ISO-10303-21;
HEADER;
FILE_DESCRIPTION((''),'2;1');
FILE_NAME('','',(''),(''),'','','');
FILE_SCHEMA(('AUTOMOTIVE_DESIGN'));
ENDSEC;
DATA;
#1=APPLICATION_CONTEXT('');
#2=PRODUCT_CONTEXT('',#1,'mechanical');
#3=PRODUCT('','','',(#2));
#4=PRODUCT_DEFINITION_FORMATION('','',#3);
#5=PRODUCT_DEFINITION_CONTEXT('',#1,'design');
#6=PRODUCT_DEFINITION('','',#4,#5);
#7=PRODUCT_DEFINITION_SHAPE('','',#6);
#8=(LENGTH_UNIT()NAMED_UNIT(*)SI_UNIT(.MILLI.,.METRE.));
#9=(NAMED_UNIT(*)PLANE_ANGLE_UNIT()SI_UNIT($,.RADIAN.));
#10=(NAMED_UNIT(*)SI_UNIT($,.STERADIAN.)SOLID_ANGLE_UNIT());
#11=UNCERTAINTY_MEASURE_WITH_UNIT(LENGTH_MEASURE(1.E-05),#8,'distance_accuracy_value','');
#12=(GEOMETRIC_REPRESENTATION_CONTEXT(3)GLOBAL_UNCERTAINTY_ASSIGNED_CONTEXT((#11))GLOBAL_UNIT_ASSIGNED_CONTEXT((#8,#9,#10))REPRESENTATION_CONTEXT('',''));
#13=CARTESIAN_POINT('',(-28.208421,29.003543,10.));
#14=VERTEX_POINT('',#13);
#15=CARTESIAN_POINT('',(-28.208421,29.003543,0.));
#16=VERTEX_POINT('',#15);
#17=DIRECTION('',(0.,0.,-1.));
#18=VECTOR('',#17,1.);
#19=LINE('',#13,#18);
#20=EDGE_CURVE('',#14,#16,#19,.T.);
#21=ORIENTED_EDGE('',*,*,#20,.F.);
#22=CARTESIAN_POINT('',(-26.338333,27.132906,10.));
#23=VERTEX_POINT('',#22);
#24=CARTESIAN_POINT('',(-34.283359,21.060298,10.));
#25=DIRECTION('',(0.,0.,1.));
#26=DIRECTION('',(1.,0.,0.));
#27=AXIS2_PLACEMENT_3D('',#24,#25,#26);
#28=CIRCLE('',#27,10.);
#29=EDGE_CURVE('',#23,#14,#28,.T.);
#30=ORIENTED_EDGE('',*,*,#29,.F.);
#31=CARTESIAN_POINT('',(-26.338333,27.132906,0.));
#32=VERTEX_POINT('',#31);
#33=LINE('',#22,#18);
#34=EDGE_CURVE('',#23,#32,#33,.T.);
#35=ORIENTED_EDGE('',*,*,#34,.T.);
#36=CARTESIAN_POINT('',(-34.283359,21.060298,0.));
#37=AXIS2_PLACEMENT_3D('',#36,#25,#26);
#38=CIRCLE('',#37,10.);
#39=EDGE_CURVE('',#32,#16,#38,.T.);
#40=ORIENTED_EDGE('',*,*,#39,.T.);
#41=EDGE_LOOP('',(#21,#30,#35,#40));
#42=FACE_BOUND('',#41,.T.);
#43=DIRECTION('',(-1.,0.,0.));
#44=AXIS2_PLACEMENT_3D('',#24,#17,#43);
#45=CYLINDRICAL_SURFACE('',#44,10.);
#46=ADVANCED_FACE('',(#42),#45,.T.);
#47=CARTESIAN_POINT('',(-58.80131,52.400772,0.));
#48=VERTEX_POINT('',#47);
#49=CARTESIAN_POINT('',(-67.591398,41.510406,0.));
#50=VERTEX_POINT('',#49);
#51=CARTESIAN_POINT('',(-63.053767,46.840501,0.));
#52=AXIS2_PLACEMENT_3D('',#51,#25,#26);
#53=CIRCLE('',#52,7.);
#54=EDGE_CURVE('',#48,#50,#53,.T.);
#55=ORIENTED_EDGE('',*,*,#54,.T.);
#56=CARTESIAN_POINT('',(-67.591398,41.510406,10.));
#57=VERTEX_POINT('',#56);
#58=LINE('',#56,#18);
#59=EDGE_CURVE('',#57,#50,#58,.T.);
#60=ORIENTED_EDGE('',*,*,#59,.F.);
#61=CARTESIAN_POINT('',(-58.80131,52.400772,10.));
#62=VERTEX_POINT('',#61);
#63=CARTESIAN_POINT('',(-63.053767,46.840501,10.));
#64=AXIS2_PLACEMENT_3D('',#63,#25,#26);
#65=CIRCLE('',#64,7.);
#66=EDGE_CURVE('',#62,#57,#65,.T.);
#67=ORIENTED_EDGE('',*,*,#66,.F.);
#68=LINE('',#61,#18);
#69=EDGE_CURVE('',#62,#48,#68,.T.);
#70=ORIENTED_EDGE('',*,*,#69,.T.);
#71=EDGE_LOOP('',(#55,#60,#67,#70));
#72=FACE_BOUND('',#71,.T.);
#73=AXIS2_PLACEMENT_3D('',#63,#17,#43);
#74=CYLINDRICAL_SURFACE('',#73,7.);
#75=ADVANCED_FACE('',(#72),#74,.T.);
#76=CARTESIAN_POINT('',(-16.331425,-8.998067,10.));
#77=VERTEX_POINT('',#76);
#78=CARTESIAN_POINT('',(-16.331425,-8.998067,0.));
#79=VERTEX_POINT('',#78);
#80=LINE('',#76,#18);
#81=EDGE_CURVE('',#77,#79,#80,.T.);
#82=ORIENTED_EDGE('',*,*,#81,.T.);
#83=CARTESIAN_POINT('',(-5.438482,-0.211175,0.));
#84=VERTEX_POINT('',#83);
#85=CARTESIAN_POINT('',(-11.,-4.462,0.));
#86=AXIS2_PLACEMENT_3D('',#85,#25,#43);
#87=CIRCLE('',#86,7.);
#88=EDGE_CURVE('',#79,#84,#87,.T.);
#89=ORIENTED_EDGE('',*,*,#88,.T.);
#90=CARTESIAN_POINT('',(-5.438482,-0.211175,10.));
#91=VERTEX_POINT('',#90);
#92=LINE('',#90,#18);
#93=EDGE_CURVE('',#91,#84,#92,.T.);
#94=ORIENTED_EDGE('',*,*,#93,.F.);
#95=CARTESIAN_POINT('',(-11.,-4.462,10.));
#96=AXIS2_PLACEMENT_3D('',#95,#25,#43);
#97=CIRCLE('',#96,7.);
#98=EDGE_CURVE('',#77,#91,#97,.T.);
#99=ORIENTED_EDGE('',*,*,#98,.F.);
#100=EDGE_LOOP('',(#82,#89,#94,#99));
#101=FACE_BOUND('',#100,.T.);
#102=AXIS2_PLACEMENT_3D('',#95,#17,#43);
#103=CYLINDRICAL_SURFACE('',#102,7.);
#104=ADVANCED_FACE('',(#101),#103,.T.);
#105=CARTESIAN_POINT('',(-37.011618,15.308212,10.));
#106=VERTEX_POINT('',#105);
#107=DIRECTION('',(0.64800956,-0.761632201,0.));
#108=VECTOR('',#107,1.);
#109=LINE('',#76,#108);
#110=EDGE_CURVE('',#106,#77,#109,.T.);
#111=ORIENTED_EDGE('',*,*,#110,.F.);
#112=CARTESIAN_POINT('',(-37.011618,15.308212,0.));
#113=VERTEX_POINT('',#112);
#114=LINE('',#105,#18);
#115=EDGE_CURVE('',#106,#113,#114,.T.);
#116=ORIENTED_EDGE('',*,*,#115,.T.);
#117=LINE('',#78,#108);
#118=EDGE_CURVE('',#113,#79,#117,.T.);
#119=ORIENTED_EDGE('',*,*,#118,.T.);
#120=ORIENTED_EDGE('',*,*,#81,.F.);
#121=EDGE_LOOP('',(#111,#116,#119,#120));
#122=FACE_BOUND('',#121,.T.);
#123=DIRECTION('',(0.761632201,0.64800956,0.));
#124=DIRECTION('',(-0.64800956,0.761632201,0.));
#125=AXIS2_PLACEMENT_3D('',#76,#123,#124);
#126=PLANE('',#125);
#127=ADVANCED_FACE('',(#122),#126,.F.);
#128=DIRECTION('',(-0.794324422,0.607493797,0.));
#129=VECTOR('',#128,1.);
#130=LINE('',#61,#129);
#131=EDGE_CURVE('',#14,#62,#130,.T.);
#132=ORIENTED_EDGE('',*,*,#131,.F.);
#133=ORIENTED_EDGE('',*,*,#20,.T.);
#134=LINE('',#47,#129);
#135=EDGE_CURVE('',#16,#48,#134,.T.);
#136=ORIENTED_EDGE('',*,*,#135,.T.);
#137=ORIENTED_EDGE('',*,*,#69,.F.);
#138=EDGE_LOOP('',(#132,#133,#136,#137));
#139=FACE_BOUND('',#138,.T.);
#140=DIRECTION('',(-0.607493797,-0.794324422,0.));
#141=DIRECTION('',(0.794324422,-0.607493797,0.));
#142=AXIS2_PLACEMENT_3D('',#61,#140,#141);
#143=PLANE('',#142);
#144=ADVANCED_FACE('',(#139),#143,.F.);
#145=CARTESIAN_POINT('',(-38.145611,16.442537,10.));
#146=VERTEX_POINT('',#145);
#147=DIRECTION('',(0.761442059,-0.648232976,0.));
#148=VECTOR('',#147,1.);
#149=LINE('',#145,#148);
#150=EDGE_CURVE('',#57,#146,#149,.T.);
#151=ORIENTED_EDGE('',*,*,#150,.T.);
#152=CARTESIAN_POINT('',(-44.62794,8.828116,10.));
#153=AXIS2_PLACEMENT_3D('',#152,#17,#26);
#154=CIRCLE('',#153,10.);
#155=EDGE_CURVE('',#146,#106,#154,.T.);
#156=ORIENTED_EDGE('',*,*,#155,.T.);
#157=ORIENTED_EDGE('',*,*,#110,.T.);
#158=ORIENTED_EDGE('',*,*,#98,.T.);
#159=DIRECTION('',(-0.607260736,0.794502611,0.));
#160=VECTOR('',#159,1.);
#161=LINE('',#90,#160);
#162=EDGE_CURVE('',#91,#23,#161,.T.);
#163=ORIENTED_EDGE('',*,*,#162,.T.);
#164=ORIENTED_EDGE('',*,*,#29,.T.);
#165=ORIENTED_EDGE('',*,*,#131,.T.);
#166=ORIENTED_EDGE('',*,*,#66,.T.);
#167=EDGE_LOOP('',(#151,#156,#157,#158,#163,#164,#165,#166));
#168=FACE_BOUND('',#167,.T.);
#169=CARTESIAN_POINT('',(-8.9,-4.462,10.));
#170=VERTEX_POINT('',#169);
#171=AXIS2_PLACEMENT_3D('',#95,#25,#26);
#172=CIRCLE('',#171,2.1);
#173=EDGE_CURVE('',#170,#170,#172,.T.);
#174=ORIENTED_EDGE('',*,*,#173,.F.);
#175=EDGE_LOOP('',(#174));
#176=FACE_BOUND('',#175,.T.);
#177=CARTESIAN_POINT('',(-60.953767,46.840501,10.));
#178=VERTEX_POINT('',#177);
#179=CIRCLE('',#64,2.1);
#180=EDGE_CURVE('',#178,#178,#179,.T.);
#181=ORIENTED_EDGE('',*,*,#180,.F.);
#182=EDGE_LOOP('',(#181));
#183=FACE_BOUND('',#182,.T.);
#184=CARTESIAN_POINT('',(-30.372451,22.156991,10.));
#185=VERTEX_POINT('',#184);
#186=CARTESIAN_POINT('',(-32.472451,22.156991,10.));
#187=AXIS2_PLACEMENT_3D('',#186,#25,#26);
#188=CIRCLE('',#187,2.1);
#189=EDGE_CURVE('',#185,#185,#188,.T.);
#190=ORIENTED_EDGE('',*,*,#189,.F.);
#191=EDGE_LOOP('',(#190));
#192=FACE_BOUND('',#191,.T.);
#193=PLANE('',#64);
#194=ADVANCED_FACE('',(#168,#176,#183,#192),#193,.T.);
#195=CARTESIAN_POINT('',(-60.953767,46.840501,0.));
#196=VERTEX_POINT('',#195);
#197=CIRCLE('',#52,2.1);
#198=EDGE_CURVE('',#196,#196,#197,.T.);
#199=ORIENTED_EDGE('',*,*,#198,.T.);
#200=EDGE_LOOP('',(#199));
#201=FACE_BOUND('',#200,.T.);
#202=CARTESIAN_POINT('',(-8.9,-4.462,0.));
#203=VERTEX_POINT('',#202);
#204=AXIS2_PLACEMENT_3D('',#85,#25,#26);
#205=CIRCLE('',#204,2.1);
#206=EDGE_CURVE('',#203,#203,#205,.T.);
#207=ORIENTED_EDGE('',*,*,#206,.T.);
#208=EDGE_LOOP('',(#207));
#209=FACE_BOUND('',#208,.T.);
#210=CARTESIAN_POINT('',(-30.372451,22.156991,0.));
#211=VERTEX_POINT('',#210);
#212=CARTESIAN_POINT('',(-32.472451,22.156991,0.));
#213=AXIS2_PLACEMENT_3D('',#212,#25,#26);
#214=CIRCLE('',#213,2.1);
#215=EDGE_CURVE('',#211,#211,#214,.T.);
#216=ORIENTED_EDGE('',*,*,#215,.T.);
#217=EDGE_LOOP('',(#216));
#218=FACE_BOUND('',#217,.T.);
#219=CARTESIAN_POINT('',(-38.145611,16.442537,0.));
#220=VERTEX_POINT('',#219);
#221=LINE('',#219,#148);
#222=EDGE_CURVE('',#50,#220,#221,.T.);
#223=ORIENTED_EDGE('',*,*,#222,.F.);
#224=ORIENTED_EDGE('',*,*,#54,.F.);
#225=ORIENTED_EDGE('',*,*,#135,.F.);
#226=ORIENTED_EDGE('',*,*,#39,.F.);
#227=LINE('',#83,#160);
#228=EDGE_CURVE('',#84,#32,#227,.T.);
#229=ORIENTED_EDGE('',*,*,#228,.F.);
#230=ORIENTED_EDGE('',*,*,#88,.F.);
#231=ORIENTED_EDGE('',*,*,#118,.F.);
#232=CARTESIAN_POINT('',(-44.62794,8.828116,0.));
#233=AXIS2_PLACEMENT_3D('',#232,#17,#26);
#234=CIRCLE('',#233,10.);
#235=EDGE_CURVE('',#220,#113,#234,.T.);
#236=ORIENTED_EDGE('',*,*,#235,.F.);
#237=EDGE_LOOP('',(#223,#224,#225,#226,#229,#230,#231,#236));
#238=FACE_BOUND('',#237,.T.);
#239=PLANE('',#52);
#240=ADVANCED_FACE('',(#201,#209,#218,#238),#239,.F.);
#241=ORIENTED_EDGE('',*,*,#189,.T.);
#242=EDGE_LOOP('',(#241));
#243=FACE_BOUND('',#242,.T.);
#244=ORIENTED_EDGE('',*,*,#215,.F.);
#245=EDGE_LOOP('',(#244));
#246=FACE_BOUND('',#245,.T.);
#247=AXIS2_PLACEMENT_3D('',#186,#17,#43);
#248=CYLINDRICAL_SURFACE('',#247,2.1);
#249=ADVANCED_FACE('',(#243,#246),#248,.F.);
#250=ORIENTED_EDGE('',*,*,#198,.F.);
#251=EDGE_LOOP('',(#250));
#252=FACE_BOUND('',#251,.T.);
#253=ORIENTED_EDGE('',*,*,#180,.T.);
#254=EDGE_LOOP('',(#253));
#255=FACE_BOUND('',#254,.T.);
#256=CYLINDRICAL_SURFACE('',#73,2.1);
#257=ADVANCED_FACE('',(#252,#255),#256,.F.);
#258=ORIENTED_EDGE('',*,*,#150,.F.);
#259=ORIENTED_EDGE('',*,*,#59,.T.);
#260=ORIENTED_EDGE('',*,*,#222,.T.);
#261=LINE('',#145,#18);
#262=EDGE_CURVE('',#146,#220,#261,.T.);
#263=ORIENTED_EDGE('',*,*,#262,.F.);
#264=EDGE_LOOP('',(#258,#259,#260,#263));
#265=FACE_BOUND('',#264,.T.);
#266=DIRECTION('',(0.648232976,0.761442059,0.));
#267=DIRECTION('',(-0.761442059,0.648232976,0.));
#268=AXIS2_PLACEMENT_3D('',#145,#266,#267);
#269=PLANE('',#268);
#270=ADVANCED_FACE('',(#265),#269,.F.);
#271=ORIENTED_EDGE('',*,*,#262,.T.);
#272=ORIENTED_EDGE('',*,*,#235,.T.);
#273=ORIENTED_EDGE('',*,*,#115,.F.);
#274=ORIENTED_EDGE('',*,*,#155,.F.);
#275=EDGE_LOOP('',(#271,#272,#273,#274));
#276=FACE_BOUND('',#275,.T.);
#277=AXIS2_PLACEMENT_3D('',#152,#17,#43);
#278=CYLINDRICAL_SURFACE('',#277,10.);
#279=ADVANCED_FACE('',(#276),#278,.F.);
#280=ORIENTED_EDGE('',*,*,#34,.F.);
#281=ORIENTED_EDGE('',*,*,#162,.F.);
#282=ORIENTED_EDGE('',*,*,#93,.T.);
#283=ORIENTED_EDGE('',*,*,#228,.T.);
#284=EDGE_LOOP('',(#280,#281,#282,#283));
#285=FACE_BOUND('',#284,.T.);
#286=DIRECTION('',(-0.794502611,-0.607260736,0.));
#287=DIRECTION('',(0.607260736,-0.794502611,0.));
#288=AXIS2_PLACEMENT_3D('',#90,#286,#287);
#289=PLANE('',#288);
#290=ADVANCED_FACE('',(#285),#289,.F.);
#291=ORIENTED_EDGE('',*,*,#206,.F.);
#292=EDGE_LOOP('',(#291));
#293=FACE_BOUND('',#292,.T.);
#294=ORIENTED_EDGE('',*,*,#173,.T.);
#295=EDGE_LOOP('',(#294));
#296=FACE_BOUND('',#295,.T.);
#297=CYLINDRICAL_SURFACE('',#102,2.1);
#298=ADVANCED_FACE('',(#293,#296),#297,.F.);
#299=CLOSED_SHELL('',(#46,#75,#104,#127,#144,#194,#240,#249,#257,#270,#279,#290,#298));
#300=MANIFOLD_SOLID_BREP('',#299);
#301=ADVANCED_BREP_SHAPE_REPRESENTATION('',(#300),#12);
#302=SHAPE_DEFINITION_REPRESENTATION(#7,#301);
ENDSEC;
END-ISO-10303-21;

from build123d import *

# Parameters (mm, degrees)
CROQUIS1_R              = 2.1
SALIENTE_EXTRUIR1_DEPTH = 10


with BuildPart() as part:
    # Croquis1 → Saliente-Extruir1 (new body)
    with BuildSketch(Plane.XY):
        with BuildLine():
            Line((-58.801310312, 52.400771547), (-28.208421346, 29.003542717))
            ThreePointArc((-28.208421346, 29.003542717), (-27.21125434, 28.130328998), (-26.338333202, 27.132905856))
            Line((-26.338333202, 27.132905856), (-5.438481723, -0.21117485))
            ThreePointArc((-5.438481723, -0.21117485), (-6.605047925, -9.910338853), (-16.33142541, -8.998066919))
            Line((-16.33142541, -8.998066919), (-37.011618384, 15.308211684))
            ThreePointArc((-37.011618384, 15.308211684), (-37.555835427, 15.898146585), (-38.145610643, 16.442536676))
            Line((-38.145610643, 16.442536676), (-67.591397717, 41.51040618))
            ThreePointArc((-67.591397717, 41.51040618), (-68.500816139, 51.237050884), (-58.801310312, 52.400771547))
        make_face()
        with Locations((-63.053766888, 46.840500594)):
            Circle(CROQUIS1_R, mode=Mode.SUBTRACT)
        with Locations((-32.472451023, 22.156990874)):
            Circle(CROQUIS1_R, mode=Mode.SUBTRACT)
        with Locations((-11, -4.462)):
            Circle(CROQUIS1_R, mode=Mode.SUBTRACT)
    extrude(amount=SALIENTE_EXTRUIR1_DEPTH)


solid = part.part
